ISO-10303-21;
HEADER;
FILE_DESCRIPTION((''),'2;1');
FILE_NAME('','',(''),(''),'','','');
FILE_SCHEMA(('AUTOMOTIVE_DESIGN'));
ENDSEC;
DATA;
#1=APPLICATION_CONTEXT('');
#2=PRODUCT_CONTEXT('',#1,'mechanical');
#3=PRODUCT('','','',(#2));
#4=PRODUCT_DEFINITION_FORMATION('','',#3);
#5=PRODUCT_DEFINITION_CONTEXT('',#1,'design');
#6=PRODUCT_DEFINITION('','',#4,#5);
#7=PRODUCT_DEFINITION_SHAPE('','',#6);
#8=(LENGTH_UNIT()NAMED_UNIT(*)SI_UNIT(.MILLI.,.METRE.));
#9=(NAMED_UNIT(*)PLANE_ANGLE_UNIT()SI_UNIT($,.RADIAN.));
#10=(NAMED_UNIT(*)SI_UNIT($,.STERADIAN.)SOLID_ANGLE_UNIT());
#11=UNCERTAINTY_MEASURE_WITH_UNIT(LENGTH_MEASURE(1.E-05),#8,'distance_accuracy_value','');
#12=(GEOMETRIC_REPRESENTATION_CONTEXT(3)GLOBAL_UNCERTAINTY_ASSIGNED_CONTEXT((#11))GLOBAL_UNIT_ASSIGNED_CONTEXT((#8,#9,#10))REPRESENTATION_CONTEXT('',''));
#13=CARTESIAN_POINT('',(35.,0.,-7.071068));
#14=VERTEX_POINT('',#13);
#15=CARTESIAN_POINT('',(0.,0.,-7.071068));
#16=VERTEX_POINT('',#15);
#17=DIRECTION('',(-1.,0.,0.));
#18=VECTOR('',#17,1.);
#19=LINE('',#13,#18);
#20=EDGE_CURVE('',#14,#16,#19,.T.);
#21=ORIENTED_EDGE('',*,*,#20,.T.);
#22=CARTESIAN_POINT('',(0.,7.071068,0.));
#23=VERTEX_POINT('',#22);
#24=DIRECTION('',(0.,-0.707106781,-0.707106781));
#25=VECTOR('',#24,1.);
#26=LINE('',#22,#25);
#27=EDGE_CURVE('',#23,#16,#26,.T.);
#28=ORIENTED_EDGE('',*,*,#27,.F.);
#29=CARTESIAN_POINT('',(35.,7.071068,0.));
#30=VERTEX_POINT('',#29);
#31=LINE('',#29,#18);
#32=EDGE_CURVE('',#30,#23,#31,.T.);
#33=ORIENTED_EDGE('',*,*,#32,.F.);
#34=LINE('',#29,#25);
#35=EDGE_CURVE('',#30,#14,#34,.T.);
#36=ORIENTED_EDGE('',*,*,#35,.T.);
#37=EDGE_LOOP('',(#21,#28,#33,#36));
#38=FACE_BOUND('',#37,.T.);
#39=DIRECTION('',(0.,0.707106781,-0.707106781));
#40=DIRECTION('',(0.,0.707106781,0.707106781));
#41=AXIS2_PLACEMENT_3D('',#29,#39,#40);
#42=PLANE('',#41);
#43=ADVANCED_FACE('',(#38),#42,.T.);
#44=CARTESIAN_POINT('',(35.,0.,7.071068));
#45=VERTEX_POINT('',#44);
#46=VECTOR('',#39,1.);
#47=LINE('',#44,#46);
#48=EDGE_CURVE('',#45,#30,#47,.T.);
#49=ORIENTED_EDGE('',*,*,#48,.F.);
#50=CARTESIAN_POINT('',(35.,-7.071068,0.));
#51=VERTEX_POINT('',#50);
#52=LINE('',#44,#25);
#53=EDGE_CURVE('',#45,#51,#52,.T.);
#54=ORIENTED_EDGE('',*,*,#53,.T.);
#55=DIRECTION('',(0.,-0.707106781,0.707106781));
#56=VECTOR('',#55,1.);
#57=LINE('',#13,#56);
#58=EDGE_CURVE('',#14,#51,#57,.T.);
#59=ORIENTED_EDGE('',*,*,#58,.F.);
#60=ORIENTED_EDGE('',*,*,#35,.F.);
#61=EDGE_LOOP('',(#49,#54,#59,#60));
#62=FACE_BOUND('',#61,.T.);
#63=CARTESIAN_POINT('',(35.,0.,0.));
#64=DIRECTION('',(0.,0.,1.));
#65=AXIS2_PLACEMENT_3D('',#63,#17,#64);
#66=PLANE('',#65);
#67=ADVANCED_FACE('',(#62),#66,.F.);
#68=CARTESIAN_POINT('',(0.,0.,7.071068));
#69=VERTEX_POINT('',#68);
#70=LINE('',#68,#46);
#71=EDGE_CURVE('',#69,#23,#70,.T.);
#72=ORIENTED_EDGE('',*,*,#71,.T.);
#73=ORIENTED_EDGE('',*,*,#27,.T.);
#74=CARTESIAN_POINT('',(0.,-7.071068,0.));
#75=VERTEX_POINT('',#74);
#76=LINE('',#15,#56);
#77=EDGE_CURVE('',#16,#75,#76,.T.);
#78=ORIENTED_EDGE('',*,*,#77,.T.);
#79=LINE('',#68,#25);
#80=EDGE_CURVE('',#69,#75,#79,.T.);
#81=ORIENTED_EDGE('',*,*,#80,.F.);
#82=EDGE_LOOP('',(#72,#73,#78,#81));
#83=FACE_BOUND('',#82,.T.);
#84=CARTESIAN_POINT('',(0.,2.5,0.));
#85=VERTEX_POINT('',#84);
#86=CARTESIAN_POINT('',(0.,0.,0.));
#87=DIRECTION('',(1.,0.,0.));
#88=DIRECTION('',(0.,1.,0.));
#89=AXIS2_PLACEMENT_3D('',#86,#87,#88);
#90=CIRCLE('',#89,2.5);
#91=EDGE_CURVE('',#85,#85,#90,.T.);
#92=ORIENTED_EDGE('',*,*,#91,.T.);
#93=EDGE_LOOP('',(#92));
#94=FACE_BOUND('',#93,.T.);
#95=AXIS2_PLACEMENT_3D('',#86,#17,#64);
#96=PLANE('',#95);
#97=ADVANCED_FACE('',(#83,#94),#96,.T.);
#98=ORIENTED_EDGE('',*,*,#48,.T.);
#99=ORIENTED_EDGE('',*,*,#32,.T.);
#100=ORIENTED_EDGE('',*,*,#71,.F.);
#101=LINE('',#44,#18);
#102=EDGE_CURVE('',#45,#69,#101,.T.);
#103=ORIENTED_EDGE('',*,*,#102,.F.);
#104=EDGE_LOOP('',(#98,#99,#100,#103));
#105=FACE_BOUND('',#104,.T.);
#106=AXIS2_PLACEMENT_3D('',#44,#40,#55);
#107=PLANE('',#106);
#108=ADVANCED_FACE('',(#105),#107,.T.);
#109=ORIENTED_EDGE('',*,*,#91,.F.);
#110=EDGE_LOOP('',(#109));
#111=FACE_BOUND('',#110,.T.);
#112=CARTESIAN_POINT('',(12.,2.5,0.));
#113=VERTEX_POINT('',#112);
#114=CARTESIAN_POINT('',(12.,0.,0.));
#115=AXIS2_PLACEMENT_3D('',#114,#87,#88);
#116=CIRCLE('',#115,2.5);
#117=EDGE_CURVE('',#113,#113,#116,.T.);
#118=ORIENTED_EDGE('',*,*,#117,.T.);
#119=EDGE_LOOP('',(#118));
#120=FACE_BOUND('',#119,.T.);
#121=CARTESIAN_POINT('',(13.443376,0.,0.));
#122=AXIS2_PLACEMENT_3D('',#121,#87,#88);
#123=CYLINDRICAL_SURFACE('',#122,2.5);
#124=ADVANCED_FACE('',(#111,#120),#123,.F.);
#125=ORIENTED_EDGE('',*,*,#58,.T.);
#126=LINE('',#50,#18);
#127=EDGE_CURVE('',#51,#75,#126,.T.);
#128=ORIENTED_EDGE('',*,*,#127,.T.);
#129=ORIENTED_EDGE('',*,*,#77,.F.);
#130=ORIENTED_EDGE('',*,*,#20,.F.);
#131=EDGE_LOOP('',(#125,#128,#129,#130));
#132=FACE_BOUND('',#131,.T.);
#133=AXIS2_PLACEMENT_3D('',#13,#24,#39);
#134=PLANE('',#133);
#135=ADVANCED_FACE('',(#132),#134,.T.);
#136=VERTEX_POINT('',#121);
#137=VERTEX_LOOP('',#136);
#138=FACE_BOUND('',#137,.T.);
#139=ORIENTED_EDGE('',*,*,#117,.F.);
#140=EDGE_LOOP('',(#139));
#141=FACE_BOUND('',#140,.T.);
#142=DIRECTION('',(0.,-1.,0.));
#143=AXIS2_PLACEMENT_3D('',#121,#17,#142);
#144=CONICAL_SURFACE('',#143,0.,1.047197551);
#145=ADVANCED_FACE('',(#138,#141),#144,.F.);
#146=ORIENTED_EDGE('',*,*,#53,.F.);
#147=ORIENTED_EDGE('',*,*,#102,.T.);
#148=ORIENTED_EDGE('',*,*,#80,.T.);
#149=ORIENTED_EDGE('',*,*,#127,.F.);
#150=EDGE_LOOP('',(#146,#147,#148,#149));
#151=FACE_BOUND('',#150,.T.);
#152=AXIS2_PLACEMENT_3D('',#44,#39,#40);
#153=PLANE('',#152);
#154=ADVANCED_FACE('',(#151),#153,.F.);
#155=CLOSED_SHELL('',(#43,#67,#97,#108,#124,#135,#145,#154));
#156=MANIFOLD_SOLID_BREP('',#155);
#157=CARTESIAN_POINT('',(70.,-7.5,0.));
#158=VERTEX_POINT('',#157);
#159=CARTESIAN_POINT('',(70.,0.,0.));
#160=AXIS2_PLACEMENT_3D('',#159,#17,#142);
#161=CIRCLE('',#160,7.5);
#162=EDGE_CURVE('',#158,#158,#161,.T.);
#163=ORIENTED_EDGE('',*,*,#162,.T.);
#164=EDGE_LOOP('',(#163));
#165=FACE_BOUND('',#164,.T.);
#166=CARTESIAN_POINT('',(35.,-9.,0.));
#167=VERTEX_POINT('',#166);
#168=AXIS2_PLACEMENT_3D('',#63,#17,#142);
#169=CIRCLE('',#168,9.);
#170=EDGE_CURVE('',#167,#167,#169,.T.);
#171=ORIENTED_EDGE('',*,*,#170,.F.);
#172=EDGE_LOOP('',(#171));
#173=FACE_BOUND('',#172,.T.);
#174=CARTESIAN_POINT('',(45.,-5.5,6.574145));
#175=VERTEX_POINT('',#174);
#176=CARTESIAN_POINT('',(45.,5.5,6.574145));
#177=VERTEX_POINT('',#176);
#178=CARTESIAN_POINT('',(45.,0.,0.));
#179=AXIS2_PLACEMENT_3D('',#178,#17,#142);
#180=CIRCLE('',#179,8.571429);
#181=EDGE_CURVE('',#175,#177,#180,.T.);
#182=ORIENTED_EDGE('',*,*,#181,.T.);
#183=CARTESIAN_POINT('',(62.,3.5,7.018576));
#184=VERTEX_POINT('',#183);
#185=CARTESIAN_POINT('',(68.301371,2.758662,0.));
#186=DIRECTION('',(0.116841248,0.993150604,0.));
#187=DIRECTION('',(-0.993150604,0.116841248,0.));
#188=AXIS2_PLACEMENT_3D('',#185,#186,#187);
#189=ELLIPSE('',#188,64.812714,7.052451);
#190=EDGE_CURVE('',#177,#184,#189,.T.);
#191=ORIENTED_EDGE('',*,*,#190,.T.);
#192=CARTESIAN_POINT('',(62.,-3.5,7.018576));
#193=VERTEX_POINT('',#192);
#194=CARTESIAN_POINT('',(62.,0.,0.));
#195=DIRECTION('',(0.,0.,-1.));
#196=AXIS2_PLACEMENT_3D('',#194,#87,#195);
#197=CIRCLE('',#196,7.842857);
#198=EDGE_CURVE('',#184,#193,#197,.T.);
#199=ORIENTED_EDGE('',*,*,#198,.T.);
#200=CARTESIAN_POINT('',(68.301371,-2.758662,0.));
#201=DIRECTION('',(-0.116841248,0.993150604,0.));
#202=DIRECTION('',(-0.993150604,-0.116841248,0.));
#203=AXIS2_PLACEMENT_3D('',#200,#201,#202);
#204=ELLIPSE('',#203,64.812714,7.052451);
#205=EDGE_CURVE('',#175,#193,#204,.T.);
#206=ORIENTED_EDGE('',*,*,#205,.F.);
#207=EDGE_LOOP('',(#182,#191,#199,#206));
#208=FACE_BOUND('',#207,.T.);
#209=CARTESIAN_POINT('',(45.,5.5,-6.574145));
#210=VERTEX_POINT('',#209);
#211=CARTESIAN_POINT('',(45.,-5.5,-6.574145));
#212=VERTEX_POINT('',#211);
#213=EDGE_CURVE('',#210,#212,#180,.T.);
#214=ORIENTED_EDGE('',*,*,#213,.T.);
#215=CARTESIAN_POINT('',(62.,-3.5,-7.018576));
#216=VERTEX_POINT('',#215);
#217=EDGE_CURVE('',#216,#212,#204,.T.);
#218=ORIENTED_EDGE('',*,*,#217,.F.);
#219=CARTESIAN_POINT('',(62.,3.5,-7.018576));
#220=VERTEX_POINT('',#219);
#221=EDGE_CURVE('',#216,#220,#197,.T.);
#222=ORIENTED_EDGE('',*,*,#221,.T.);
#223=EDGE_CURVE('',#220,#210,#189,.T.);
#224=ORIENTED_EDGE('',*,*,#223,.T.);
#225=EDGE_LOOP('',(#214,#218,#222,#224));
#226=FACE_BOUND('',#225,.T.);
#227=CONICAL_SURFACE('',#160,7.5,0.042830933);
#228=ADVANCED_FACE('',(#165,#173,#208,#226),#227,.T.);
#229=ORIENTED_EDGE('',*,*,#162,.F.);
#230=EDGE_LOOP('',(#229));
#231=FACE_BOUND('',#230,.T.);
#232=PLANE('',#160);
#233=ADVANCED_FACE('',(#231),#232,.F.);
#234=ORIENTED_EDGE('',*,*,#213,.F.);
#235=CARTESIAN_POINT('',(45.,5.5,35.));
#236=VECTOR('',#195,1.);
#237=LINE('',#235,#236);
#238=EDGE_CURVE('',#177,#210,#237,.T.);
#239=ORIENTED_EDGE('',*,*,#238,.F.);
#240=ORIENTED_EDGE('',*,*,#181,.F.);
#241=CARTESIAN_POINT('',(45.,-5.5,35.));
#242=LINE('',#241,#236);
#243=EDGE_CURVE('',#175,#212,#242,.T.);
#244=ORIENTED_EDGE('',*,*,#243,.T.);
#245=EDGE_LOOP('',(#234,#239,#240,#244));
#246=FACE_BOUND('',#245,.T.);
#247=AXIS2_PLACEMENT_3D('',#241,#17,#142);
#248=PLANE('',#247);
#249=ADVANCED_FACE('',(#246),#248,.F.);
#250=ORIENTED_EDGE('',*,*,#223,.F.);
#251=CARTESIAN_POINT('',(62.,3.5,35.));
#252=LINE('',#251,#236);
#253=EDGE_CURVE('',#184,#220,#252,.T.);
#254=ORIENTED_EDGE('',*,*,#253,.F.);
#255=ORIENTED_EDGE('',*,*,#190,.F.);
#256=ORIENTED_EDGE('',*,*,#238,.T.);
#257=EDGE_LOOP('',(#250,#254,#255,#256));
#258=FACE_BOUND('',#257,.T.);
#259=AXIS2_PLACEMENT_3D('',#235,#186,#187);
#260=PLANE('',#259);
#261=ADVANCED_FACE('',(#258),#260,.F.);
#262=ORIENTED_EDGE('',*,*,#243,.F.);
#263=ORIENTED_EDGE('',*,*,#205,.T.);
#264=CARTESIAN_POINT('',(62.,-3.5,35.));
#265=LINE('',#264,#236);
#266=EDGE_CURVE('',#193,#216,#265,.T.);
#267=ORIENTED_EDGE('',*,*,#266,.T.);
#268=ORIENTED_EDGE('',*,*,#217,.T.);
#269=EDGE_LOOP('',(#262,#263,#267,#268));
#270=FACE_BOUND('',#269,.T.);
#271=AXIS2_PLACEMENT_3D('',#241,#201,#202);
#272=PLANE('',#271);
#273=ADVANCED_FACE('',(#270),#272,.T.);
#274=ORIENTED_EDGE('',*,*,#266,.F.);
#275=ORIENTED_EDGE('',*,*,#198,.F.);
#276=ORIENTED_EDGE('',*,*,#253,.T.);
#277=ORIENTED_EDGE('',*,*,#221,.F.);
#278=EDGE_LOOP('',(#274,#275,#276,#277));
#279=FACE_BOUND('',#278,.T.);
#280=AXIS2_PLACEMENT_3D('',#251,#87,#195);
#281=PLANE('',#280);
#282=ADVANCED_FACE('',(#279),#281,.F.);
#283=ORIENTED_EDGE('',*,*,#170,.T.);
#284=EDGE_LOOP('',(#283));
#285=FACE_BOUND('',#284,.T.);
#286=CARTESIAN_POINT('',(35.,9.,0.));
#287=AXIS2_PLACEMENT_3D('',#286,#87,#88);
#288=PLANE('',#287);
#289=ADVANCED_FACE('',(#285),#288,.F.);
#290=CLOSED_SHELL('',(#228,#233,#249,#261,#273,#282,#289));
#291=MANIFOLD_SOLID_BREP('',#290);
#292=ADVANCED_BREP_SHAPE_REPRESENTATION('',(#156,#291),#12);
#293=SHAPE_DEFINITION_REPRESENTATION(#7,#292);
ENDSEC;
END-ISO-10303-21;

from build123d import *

# Parameters (mm, degrees)
EXTRUDE_1_DEPTH          = 35
CUT_EXTRUDE_1_DEPTH      = 35
CUT_EXTRUDE_1_DEPTH_BACK = 35


with BuildPart() as part:
    # Эскиз1 → Бобышка-Вытянуть1 (new body)
    with BuildSketch(Plane(origin=(0, 0, 0), x_dir=(0, 0, -1), z_dir=(1, 0, 0))):
        Polygon((0, 7.071067812), (7.071067812, 0), (0, -7.071067812), (-7.071067812, 0), align=None)
    extrude(amount=EXTRUDE_1_DEPTH)

    # Эскиз4 → Вырез-Повернуть3 (revolve, cut)
    with BuildSketch(Plane.XY):
        Polygon((0, 0), (13.443375673, 0), (12, 2.5), (0, 2.5), (0, 3.998541838), (-2.044837982, 0), align=None)
    revolve(axis=Axis((13.443375673, 0, 0), (-1, 0, 0)), mode=Mode.SUBTRACT)


with BuildPart() as body_2:
    # Эскиз2 → Повернуть1 (revolve)
    with BuildSketch(Plane.XY):
        Polygon((70, 0), (70, 7.5), (35, 9), (35, 0), align=None)
    revolve(axis=Axis((35, 0, 0), (1, 0, 0)))

    # Эскиз3 → Вырез-Вытянуть1 (cut, two sides: drawn at the far end of the back side and taken through both)
    with BuildSketch(Plane.XY.offset(-CUT_EXTRUDE_1_DEPTH_BACK)):
        Polygon((45, -5.5), (45, 5.5), (62, 3.5), (62, -3.5), align=None)
    extrude(amount=CUT_EXTRUDE_1_DEPTH + CUT_EXTRUDE_1_DEPTH_BACK, mode=Mode.SUBTRACT)


solid = Compound([part.part, body_2.part])
